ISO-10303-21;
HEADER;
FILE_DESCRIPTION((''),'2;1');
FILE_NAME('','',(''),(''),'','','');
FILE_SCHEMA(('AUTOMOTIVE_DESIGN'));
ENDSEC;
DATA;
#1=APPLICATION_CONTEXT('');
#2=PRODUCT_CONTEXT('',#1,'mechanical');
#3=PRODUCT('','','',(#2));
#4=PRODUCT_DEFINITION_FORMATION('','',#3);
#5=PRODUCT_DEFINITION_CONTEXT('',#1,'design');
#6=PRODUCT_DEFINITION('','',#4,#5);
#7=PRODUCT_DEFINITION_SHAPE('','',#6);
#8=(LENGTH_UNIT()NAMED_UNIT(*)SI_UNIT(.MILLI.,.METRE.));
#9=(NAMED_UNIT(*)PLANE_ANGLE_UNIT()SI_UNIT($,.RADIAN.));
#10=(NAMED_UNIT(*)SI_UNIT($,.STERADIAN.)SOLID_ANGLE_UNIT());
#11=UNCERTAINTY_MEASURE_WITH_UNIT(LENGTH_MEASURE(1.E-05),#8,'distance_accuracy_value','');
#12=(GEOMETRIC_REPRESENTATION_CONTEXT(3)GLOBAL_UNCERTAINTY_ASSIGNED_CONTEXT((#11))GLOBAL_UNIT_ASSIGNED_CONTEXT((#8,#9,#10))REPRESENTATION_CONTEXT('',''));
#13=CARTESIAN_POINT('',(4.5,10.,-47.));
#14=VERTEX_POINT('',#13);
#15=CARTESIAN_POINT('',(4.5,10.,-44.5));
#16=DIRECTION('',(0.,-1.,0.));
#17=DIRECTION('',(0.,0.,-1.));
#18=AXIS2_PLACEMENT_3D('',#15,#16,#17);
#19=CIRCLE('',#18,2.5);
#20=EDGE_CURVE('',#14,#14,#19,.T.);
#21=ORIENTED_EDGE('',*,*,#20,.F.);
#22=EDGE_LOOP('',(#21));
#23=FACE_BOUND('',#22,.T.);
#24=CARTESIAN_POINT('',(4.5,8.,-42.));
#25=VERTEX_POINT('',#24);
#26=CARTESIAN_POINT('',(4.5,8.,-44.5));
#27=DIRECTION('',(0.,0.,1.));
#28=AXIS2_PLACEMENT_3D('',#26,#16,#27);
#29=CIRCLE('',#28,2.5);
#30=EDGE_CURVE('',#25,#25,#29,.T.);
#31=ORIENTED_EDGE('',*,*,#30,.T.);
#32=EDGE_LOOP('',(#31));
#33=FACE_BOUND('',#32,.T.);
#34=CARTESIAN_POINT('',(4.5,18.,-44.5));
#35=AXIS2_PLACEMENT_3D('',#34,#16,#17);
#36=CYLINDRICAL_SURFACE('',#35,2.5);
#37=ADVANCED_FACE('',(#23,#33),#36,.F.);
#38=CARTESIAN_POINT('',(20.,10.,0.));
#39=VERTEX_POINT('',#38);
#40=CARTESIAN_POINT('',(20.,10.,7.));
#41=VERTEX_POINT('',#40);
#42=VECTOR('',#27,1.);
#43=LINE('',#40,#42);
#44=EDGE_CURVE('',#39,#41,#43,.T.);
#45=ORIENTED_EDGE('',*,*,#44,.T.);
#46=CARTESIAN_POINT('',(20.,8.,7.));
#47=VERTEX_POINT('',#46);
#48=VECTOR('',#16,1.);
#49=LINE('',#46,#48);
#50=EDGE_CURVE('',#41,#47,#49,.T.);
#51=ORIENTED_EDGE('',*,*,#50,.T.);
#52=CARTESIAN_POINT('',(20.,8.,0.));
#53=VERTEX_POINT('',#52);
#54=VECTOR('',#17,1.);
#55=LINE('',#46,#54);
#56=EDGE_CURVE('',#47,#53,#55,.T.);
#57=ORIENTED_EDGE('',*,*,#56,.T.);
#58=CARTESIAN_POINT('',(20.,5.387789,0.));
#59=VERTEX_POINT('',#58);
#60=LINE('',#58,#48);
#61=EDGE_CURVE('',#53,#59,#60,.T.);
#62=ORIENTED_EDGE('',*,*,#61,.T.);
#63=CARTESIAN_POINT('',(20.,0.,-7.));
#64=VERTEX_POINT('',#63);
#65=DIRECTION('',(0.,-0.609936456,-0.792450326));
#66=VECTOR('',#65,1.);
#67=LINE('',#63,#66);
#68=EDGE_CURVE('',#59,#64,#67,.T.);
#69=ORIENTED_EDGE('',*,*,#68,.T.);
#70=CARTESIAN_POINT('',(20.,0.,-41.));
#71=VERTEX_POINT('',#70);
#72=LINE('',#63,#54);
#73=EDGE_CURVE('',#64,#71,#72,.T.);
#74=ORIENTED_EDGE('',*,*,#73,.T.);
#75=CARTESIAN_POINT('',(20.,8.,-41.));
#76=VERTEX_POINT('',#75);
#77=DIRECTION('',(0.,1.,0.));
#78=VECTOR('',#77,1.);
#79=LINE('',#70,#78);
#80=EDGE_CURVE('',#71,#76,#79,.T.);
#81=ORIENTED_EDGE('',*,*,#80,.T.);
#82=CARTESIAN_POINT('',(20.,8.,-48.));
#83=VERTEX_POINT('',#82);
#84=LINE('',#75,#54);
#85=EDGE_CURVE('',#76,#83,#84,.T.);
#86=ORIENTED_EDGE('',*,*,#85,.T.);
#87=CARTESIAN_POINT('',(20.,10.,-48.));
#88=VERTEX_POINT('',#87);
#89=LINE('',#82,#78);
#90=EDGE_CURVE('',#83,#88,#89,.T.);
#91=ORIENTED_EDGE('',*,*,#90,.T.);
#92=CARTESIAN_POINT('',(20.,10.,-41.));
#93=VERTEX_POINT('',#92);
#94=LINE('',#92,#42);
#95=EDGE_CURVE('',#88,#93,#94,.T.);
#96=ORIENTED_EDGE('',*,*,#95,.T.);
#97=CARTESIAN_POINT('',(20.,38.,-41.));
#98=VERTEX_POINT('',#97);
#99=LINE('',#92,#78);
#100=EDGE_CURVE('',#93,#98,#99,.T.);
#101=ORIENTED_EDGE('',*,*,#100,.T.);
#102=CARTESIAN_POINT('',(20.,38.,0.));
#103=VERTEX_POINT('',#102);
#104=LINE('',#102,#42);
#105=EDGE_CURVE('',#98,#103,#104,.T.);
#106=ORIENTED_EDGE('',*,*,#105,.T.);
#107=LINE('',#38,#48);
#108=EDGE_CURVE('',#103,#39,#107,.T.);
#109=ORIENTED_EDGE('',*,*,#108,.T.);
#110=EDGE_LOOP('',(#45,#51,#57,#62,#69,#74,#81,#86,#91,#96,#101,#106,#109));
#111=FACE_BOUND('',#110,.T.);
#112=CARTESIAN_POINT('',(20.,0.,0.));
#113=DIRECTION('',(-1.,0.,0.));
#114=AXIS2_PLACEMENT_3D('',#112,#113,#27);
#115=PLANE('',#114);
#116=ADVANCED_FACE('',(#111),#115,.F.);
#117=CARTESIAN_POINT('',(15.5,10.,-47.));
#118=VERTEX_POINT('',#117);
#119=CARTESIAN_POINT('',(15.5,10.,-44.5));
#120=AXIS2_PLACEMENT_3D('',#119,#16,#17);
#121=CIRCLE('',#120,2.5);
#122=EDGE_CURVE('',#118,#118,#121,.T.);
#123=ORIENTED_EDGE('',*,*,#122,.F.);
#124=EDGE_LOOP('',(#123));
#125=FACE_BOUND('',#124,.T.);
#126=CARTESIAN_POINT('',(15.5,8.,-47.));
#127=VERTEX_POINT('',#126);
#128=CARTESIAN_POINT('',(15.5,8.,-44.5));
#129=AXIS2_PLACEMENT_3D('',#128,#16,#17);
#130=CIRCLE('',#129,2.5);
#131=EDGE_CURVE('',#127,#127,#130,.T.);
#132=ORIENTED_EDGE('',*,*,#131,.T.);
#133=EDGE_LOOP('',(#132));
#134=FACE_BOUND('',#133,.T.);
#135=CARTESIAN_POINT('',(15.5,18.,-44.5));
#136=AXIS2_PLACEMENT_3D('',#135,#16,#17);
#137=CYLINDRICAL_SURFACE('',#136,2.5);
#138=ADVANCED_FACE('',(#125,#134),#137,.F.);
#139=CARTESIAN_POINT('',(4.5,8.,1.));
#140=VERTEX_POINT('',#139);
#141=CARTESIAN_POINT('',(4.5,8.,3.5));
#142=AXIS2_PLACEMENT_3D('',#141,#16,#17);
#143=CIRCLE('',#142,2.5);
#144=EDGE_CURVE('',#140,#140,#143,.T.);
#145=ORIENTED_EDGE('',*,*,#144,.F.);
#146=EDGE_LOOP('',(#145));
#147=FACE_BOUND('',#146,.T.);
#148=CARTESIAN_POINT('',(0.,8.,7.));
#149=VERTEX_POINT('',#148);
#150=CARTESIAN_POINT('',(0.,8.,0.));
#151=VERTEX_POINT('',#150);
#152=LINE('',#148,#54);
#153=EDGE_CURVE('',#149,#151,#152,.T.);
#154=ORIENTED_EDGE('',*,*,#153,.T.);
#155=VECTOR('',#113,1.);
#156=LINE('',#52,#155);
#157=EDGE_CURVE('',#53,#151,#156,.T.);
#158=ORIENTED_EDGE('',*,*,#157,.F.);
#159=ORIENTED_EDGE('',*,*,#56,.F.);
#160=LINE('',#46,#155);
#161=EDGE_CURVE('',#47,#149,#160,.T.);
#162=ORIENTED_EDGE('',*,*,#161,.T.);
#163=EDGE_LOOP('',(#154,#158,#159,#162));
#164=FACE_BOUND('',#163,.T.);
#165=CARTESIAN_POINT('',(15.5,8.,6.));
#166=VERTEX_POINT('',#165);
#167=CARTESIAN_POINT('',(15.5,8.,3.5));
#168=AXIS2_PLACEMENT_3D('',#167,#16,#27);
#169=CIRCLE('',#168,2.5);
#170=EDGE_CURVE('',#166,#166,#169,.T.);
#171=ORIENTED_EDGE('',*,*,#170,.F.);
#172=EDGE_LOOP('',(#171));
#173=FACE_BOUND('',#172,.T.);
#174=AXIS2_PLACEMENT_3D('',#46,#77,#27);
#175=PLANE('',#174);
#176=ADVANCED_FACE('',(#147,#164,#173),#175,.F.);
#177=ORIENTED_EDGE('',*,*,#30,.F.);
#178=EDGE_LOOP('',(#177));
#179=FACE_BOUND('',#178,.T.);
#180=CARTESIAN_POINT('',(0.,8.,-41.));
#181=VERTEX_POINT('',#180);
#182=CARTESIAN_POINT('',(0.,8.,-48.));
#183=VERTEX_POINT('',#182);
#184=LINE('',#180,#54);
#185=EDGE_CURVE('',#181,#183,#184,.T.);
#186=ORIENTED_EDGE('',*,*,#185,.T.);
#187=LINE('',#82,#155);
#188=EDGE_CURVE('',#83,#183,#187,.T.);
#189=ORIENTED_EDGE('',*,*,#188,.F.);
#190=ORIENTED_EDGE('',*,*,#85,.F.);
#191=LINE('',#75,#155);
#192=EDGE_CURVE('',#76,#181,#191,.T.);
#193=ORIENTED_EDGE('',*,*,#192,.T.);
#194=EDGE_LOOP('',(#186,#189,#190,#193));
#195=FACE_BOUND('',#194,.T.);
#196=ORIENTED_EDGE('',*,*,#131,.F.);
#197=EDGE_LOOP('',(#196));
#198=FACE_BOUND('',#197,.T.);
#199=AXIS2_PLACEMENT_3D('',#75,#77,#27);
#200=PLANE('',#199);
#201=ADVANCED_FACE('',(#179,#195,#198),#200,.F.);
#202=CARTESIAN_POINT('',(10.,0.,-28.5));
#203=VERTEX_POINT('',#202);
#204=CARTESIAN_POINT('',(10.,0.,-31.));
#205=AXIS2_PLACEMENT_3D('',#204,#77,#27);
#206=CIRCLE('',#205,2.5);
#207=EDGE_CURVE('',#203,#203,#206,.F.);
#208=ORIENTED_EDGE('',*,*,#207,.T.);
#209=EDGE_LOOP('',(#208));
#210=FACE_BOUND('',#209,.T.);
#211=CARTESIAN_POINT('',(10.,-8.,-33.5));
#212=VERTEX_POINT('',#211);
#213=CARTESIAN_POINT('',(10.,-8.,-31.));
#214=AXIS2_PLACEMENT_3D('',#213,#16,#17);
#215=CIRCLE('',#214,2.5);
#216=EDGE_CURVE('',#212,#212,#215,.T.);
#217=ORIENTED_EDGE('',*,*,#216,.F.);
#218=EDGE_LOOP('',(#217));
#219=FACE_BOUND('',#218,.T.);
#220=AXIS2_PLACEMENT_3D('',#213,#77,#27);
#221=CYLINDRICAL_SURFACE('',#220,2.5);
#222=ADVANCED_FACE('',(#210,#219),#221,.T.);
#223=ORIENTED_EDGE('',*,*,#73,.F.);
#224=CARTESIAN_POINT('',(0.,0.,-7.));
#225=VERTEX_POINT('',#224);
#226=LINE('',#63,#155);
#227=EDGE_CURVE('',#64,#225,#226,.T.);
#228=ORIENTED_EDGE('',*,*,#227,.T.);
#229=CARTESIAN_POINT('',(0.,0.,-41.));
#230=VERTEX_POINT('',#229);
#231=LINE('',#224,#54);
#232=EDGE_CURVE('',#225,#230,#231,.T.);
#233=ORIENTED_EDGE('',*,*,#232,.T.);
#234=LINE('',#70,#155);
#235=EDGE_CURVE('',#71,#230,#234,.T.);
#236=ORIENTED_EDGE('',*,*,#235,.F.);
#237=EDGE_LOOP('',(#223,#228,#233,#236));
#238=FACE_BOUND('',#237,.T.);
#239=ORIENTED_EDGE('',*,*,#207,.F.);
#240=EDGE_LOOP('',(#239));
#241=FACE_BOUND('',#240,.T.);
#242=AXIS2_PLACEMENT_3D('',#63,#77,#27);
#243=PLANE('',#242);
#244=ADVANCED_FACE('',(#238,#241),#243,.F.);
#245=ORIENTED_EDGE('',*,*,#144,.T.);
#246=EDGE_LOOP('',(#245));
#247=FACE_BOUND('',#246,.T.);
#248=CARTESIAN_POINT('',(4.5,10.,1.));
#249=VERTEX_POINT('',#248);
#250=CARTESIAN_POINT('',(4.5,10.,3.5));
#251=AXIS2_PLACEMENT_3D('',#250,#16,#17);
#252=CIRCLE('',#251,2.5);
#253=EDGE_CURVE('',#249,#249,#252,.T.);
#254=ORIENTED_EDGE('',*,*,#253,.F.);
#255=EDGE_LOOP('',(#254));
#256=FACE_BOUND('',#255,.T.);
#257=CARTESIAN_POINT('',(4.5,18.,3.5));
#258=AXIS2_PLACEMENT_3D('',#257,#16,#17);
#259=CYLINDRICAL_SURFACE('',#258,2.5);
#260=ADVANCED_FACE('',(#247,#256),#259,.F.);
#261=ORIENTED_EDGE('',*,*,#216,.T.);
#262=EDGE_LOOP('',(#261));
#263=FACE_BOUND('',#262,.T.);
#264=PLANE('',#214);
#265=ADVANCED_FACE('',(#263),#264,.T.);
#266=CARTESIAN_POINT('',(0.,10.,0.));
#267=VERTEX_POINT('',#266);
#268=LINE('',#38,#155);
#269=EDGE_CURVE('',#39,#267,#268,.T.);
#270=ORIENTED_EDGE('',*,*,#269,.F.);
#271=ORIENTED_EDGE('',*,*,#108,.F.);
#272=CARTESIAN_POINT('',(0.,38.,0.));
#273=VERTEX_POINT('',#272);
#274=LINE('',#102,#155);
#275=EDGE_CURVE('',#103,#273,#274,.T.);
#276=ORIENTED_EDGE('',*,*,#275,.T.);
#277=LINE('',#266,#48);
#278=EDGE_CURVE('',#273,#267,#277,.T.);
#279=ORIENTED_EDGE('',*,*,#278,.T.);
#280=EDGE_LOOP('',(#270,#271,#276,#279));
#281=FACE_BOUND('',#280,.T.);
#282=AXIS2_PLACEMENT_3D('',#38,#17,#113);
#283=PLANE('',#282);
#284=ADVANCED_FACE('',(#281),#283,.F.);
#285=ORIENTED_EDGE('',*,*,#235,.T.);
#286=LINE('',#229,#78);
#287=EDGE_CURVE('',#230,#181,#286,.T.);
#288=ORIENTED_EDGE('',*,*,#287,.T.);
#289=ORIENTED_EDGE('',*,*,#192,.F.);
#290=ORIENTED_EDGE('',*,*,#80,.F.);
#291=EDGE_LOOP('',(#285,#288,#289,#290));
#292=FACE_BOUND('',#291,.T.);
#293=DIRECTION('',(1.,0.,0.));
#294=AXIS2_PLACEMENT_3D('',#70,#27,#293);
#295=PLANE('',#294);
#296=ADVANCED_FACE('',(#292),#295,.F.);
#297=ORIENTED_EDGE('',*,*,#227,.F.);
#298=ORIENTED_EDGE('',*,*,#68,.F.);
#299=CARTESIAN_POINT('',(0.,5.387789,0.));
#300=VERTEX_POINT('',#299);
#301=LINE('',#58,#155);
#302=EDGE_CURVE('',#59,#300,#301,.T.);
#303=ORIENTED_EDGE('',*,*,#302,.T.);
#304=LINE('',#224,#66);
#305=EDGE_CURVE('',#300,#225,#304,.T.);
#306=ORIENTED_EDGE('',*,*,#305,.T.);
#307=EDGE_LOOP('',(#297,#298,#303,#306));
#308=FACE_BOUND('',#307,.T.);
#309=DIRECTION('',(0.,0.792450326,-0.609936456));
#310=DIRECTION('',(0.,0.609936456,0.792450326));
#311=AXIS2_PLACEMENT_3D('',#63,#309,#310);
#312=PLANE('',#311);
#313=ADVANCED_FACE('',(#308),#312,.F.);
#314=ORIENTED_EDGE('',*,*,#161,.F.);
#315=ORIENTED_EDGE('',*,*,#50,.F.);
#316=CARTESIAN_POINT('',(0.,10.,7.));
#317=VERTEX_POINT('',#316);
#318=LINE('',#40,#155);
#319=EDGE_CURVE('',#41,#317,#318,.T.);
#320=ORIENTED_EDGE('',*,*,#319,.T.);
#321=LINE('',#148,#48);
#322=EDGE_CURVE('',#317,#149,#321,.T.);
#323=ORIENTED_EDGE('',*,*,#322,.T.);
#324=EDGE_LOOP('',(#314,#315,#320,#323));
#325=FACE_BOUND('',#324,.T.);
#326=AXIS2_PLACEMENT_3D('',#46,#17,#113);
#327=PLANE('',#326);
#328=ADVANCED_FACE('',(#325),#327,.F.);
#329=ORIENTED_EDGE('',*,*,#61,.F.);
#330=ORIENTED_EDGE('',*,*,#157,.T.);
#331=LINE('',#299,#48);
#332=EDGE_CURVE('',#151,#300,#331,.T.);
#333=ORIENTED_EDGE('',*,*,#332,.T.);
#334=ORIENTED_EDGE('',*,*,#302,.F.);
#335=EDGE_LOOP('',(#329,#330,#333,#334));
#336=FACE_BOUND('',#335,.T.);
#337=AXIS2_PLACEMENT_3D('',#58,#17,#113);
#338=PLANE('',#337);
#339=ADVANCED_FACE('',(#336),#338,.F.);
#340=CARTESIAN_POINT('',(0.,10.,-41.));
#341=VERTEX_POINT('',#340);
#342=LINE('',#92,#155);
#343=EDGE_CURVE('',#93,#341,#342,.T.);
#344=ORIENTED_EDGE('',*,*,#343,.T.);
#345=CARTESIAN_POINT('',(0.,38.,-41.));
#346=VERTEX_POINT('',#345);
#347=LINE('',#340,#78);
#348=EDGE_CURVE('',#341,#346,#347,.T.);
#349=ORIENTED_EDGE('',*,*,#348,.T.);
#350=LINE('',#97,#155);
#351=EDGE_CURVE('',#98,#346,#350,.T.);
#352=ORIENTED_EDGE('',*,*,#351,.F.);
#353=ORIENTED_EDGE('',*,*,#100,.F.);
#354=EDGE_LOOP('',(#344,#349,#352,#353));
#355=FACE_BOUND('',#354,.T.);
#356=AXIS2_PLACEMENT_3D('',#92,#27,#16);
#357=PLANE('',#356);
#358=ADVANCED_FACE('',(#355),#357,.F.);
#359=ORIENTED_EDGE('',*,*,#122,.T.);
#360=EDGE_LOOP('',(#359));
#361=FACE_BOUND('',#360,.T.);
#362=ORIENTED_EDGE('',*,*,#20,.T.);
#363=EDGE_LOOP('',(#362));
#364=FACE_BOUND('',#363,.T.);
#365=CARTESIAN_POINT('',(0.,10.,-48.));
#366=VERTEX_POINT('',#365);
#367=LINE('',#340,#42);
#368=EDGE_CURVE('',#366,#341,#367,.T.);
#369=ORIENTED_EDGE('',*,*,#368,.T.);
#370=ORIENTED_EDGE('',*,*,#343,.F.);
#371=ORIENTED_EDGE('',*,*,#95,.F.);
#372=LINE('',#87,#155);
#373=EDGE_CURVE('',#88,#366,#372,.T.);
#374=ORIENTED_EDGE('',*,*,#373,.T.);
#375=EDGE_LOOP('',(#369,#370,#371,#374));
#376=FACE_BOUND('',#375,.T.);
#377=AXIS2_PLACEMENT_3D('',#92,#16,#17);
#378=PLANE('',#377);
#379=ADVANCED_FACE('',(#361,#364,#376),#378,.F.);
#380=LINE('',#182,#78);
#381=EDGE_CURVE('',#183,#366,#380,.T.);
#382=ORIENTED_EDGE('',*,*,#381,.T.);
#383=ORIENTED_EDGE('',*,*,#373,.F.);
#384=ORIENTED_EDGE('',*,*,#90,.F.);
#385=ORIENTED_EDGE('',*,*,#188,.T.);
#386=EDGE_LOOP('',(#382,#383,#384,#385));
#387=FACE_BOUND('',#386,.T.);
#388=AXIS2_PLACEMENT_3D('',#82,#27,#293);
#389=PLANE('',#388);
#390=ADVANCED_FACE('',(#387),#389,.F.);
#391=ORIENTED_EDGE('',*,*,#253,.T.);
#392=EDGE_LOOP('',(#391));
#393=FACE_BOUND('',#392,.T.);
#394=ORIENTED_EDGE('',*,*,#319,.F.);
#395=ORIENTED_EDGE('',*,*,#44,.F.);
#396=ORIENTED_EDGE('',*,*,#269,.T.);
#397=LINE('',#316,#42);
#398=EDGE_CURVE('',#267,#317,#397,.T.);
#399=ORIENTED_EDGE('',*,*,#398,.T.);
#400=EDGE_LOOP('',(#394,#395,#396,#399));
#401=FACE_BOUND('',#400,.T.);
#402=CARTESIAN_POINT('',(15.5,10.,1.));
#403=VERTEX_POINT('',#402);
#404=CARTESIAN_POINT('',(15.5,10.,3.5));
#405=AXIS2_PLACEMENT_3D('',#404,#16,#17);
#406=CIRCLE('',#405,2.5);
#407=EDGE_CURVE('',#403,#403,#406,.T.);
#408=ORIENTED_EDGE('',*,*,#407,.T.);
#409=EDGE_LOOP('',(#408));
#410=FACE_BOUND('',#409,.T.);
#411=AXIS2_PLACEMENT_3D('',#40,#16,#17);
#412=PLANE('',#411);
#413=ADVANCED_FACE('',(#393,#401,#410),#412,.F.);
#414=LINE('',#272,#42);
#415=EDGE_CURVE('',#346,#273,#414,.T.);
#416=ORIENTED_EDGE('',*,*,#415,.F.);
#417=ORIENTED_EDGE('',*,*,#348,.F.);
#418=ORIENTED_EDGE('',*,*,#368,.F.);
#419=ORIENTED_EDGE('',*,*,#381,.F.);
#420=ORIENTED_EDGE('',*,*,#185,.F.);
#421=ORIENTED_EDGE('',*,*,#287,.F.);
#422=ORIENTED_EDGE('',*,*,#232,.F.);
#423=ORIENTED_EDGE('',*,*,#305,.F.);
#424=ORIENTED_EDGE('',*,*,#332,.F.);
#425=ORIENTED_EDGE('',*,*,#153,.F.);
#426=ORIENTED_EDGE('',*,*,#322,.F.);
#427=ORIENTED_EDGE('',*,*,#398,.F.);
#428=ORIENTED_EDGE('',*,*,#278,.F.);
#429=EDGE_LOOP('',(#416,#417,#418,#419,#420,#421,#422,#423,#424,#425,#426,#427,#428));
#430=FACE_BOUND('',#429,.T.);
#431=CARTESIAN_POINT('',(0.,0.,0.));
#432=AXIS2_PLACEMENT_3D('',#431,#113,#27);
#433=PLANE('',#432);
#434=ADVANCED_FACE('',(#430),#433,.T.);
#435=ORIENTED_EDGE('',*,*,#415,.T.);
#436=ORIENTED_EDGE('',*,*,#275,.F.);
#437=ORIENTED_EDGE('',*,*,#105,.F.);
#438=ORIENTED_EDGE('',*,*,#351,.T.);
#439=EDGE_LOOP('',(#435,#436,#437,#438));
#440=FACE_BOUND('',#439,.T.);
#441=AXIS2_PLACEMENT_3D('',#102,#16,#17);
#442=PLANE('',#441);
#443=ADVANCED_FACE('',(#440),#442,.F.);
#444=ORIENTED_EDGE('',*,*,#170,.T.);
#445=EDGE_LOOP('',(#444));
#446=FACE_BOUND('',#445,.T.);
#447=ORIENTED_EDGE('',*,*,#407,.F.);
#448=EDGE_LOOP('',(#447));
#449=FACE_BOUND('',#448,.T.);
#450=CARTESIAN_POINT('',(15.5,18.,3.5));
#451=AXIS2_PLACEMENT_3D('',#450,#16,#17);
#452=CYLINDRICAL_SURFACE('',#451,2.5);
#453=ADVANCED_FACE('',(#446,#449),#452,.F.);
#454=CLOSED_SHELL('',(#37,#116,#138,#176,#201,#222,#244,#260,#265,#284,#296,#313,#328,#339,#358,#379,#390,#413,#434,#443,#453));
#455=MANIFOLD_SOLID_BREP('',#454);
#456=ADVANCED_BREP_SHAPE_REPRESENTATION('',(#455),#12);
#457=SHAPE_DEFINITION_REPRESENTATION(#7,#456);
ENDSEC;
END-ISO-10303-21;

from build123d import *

# Parameters (mm, degrees)
SALIENTE_EXTRUIR1_DEPTH = 20
CROQUIS2_R              = 2.5
SALIENTE_EXTRUIR2_DEPTH = 8
CROQUIS3_R              = 2.5
CORTAR_EXTRUIR1_DEPTH   = 10


with BuildPart() as part:
    # Croquis1 → Saliente-Extruir1 (new body)
    with BuildSketch(Plane(origin=(0, 0, 0), x_dir=(0, 0, -1), z_dir=(1, 0, 0))):
        Polygon((41, 10), (48, 10), (48, 8), (41, 8), (41, 0), (7, 0), (0, 5.387789056), (0, 8), (-7, 8), (-7, 10), (0, 10), (0, 38), (41, 38), align=None)
    extrude(amount=SALIENTE_EXTRUIR1_DEPTH)

    # Croquis2 → Saliente-Extruir2 (add)
    with BuildSketch(Plane.XZ):
        with Locations(Location((10, -31, 0), (0, 0, 90))):
            Circle(CROQUIS2_R)
    extrude(amount=SALIENTE_EXTRUIR2_DEPTH)

    # Croquis3 → Cortar-Extruir1 (cut)
    with BuildSketch(Plane.XZ.offset(-8)):
        with Locations(Location((4.5, 3.5, 0), (0, 0, 270))):
            Circle(CROQUIS3_R)
        with Locations(Location((15.5, 3.5, 0), (0, 0, 270))):
            Circle(CROQUIS3_R)
        with Locations(Location((15.5, -44.5, 0), (0, 0, 270))):
            Circle(CROQUIS3_R)
        with Locations(Location((4.5, -44.5, 0), (0, 0, 270))):
            Circle(CROQUIS3_R)
    extrude(amount=-CORTAR_EXTRUIR1_DEPTH, mode=Mode.SUBTRACT)


solid = part.part
